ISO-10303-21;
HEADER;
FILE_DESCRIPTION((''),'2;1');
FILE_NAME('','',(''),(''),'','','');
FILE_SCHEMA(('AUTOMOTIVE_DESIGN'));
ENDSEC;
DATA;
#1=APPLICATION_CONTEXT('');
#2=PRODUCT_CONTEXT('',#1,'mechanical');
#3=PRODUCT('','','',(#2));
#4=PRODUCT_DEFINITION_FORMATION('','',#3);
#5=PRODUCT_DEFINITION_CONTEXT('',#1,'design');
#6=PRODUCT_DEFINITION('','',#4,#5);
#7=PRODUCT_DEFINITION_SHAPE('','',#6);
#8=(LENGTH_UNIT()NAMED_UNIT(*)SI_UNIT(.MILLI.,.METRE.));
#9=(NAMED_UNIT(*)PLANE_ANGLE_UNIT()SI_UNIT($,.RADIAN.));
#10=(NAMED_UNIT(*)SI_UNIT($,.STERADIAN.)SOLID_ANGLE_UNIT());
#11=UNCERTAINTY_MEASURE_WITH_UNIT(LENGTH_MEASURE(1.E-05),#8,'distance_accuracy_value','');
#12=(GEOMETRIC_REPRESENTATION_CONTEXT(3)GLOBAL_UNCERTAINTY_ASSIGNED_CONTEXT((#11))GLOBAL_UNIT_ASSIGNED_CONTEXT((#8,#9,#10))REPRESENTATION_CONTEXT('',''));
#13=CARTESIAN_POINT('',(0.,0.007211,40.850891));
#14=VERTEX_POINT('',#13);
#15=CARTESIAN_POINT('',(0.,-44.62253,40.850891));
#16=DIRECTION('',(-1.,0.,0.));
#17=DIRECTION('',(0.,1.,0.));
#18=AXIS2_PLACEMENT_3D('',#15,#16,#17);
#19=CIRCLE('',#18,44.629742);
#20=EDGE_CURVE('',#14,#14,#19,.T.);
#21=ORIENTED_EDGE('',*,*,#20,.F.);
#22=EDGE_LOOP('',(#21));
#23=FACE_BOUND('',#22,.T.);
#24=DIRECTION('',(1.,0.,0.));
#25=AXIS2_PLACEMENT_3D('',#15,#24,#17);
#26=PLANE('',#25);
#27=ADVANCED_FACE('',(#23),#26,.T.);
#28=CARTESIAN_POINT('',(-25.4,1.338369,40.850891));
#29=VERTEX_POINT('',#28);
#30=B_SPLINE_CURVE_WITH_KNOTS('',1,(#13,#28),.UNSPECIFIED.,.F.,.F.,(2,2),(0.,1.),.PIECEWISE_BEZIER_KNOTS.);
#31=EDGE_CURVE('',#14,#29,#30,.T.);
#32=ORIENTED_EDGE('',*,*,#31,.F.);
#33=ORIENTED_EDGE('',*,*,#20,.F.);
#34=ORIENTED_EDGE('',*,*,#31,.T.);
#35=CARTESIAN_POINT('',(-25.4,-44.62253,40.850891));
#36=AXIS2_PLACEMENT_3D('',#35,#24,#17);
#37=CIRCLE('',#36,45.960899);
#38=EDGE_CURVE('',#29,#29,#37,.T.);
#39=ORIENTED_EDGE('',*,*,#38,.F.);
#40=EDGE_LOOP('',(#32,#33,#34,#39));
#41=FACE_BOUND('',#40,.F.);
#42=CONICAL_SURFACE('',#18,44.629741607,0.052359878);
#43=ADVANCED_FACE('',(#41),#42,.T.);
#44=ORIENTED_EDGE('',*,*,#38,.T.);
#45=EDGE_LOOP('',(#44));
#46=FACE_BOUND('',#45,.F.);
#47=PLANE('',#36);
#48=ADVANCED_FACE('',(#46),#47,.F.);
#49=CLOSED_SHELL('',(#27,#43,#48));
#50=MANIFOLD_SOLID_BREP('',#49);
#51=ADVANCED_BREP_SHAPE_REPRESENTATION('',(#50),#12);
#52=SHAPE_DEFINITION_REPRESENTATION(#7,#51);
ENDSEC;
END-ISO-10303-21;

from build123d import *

# Parameters (mm, degrees)
F0_R     = 44.6297416067
F1_DEPTH = 25.4
F1_TAPER = -3


with BuildPart() as f1:
    # F0 (on Right) → F1 (new body)
    with BuildSketch(Plane.YZ):
        with Locations((-44.6225302508, 40.8508908004)):
            Circle(F0_R)
    extrude(amount=-F1_DEPTH, taper=F1_TAPER)


solid = f1.part
